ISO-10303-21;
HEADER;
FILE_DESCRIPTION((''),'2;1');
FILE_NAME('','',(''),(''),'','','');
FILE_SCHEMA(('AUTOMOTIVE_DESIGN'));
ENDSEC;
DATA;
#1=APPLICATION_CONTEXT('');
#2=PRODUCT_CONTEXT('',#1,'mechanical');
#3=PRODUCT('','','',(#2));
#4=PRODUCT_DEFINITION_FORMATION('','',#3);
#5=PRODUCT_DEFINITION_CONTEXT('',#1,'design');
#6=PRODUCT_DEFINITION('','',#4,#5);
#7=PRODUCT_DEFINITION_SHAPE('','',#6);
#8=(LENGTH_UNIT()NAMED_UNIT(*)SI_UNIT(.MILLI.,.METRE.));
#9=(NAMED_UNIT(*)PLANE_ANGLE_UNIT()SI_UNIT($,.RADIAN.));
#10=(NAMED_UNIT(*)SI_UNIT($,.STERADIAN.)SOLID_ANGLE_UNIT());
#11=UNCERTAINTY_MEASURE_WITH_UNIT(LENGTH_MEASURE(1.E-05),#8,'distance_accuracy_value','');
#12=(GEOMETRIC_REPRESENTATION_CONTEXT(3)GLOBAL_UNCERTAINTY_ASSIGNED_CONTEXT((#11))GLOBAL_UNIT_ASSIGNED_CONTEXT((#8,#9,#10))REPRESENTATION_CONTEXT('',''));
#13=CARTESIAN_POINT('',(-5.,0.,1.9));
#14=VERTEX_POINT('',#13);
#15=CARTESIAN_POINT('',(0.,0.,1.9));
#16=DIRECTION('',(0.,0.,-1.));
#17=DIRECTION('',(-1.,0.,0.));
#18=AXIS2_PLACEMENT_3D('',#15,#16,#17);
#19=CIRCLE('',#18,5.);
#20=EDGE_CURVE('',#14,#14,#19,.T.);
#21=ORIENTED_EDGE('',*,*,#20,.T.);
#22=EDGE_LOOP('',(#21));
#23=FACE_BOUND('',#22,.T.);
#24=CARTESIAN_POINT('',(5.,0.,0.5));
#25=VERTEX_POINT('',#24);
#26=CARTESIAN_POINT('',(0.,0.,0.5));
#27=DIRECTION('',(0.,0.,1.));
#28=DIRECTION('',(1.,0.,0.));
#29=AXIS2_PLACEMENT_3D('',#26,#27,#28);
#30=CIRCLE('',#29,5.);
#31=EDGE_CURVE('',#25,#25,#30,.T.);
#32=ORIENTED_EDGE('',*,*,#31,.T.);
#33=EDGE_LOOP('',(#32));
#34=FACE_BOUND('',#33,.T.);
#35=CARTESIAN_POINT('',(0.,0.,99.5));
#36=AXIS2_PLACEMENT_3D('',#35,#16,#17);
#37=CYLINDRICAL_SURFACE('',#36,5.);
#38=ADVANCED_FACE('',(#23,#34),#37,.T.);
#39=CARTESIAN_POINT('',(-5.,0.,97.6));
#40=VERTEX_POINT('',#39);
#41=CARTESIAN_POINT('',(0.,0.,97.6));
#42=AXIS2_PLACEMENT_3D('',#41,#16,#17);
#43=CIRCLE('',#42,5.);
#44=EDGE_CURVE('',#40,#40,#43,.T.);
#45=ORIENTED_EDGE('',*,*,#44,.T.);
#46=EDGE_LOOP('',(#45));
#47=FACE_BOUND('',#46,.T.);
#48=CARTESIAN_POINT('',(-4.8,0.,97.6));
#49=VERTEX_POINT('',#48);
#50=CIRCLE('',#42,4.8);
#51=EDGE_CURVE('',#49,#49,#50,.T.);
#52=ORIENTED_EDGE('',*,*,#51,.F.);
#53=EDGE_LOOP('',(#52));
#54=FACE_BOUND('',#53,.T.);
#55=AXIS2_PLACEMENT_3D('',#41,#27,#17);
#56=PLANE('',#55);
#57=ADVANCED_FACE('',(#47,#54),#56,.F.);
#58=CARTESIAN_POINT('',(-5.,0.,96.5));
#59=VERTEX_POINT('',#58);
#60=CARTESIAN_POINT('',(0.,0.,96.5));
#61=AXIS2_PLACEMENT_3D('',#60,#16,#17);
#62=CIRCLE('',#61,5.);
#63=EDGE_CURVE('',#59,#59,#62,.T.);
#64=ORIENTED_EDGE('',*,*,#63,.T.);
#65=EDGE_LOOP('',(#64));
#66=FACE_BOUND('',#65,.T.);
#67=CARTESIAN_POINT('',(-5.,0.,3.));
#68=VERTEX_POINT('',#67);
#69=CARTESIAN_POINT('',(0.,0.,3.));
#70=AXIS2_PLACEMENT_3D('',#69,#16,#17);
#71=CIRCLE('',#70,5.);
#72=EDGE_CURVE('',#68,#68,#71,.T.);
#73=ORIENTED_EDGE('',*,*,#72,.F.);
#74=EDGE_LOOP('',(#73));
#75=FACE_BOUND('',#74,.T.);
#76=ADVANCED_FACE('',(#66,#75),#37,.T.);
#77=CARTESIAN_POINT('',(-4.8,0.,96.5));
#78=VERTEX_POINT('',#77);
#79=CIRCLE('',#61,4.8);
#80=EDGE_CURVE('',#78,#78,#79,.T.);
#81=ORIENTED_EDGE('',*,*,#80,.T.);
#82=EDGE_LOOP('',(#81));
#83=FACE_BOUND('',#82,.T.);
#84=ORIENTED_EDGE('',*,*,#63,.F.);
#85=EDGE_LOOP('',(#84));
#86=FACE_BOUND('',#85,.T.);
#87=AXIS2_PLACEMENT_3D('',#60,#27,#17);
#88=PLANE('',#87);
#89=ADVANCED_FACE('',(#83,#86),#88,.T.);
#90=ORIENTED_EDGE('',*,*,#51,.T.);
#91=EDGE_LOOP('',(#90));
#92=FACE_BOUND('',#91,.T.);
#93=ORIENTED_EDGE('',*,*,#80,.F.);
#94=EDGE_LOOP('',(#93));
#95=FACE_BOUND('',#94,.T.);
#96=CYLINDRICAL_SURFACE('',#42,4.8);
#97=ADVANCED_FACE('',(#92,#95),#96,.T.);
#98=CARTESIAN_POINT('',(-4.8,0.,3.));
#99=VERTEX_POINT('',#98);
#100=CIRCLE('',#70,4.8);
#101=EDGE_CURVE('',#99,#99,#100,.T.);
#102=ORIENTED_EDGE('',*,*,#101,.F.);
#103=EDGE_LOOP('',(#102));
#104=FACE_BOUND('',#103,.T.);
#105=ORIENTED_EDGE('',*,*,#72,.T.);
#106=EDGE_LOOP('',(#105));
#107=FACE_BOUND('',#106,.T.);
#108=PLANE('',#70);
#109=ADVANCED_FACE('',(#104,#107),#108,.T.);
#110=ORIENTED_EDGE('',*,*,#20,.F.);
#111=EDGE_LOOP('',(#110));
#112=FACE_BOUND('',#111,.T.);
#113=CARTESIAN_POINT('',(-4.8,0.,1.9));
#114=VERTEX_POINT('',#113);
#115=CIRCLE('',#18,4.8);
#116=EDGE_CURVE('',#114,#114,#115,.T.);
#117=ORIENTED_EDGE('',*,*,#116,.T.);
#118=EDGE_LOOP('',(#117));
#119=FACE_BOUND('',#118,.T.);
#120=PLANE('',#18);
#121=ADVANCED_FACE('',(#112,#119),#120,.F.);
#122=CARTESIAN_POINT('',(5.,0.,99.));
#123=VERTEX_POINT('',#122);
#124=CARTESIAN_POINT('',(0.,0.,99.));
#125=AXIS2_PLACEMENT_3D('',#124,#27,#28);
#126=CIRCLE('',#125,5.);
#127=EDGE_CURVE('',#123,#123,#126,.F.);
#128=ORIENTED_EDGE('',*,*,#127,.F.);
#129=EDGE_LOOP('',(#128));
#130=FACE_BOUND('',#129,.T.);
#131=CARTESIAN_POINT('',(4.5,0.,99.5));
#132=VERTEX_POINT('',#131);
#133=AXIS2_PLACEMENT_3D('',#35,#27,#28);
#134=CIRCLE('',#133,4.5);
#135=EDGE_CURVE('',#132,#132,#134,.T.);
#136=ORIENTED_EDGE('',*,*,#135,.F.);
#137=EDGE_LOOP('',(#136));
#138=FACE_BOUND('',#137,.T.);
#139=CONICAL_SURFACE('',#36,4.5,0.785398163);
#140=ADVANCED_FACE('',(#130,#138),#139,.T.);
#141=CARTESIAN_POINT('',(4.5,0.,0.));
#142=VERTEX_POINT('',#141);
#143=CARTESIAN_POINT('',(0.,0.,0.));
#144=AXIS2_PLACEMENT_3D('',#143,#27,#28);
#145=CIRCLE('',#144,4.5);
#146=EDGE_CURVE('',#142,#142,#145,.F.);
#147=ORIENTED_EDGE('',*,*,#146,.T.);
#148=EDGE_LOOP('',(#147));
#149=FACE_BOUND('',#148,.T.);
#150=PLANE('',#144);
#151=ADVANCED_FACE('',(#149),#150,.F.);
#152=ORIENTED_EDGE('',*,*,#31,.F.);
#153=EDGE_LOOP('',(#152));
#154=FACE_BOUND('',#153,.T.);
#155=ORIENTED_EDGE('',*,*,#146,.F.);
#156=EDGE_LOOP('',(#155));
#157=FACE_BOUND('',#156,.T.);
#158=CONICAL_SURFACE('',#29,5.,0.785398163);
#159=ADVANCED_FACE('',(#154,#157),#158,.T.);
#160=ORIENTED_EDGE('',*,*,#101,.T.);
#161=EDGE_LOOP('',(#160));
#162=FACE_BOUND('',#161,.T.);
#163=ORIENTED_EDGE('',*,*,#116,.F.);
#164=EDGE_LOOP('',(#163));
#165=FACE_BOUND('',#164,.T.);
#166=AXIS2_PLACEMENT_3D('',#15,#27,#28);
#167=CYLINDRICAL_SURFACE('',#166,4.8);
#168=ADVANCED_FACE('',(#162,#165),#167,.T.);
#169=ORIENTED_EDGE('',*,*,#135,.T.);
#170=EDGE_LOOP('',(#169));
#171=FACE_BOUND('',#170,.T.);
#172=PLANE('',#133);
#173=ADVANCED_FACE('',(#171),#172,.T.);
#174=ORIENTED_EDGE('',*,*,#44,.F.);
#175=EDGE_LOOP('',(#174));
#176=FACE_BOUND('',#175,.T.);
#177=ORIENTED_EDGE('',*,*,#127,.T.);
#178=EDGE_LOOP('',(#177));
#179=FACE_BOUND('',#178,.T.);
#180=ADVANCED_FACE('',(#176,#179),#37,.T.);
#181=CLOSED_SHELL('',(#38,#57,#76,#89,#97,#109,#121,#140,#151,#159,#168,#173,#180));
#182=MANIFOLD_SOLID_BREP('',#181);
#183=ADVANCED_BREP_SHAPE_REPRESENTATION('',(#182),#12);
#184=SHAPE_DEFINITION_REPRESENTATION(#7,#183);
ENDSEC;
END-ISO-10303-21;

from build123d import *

# Parameters (mm, degrees)
SKETCH_1_R          = 5
EXTRUDE_1_DEPTH     = 99.5
CHAMFER_1_SIZE      = 0.5
CUT_EXTRUDE_START   = -1.9
SKETCH_2_R          = 5
SKETCH_2_R_2        = 4.8
CUT_EXTRUDE_1_DEPTH = 1.1


with BuildPart() as part:
    # 草图1 → 凸台-拉伸1 (new body)
    with BuildSketch(Plane.XY):
        Circle(SKETCH_1_R)
    extrude(amount=EXTRUDE_1_DEPTH)

    # 倒角1
    chamfer_1_edges = [part.edges().sort_by_distance(p)[0] for p in [
        (-5, 0, 0),
        (-5, 0, 99.5),
    ]]
    chamfer(chamfer_1_edges, length=CHAMFER_1_SIZE)

    # 草图2 → 切除-拉伸1 (cut)
    with BuildSketch(Plane(origin=(0, 0, 0), x_dir=(-1, 0, 0), z_dir=(0, 0, -1)).offset(CUT_EXTRUDE_START)):
        Circle(SKETCH_2_R)
        Circle(SKETCH_2_R_2, mode=Mode.SUBTRACT)
    cut_extrude_1 = extrude(amount=-CUT_EXTRUDE_1_DEPTH, mode=Mode.SUBTRACT)

    # 镜向1: 切除-拉伸1 across plane
    add(cut_extrude_1.mirror(Plane.XY.offset(49.75)), mode=Mode.SUBTRACT)


solid = part.part
